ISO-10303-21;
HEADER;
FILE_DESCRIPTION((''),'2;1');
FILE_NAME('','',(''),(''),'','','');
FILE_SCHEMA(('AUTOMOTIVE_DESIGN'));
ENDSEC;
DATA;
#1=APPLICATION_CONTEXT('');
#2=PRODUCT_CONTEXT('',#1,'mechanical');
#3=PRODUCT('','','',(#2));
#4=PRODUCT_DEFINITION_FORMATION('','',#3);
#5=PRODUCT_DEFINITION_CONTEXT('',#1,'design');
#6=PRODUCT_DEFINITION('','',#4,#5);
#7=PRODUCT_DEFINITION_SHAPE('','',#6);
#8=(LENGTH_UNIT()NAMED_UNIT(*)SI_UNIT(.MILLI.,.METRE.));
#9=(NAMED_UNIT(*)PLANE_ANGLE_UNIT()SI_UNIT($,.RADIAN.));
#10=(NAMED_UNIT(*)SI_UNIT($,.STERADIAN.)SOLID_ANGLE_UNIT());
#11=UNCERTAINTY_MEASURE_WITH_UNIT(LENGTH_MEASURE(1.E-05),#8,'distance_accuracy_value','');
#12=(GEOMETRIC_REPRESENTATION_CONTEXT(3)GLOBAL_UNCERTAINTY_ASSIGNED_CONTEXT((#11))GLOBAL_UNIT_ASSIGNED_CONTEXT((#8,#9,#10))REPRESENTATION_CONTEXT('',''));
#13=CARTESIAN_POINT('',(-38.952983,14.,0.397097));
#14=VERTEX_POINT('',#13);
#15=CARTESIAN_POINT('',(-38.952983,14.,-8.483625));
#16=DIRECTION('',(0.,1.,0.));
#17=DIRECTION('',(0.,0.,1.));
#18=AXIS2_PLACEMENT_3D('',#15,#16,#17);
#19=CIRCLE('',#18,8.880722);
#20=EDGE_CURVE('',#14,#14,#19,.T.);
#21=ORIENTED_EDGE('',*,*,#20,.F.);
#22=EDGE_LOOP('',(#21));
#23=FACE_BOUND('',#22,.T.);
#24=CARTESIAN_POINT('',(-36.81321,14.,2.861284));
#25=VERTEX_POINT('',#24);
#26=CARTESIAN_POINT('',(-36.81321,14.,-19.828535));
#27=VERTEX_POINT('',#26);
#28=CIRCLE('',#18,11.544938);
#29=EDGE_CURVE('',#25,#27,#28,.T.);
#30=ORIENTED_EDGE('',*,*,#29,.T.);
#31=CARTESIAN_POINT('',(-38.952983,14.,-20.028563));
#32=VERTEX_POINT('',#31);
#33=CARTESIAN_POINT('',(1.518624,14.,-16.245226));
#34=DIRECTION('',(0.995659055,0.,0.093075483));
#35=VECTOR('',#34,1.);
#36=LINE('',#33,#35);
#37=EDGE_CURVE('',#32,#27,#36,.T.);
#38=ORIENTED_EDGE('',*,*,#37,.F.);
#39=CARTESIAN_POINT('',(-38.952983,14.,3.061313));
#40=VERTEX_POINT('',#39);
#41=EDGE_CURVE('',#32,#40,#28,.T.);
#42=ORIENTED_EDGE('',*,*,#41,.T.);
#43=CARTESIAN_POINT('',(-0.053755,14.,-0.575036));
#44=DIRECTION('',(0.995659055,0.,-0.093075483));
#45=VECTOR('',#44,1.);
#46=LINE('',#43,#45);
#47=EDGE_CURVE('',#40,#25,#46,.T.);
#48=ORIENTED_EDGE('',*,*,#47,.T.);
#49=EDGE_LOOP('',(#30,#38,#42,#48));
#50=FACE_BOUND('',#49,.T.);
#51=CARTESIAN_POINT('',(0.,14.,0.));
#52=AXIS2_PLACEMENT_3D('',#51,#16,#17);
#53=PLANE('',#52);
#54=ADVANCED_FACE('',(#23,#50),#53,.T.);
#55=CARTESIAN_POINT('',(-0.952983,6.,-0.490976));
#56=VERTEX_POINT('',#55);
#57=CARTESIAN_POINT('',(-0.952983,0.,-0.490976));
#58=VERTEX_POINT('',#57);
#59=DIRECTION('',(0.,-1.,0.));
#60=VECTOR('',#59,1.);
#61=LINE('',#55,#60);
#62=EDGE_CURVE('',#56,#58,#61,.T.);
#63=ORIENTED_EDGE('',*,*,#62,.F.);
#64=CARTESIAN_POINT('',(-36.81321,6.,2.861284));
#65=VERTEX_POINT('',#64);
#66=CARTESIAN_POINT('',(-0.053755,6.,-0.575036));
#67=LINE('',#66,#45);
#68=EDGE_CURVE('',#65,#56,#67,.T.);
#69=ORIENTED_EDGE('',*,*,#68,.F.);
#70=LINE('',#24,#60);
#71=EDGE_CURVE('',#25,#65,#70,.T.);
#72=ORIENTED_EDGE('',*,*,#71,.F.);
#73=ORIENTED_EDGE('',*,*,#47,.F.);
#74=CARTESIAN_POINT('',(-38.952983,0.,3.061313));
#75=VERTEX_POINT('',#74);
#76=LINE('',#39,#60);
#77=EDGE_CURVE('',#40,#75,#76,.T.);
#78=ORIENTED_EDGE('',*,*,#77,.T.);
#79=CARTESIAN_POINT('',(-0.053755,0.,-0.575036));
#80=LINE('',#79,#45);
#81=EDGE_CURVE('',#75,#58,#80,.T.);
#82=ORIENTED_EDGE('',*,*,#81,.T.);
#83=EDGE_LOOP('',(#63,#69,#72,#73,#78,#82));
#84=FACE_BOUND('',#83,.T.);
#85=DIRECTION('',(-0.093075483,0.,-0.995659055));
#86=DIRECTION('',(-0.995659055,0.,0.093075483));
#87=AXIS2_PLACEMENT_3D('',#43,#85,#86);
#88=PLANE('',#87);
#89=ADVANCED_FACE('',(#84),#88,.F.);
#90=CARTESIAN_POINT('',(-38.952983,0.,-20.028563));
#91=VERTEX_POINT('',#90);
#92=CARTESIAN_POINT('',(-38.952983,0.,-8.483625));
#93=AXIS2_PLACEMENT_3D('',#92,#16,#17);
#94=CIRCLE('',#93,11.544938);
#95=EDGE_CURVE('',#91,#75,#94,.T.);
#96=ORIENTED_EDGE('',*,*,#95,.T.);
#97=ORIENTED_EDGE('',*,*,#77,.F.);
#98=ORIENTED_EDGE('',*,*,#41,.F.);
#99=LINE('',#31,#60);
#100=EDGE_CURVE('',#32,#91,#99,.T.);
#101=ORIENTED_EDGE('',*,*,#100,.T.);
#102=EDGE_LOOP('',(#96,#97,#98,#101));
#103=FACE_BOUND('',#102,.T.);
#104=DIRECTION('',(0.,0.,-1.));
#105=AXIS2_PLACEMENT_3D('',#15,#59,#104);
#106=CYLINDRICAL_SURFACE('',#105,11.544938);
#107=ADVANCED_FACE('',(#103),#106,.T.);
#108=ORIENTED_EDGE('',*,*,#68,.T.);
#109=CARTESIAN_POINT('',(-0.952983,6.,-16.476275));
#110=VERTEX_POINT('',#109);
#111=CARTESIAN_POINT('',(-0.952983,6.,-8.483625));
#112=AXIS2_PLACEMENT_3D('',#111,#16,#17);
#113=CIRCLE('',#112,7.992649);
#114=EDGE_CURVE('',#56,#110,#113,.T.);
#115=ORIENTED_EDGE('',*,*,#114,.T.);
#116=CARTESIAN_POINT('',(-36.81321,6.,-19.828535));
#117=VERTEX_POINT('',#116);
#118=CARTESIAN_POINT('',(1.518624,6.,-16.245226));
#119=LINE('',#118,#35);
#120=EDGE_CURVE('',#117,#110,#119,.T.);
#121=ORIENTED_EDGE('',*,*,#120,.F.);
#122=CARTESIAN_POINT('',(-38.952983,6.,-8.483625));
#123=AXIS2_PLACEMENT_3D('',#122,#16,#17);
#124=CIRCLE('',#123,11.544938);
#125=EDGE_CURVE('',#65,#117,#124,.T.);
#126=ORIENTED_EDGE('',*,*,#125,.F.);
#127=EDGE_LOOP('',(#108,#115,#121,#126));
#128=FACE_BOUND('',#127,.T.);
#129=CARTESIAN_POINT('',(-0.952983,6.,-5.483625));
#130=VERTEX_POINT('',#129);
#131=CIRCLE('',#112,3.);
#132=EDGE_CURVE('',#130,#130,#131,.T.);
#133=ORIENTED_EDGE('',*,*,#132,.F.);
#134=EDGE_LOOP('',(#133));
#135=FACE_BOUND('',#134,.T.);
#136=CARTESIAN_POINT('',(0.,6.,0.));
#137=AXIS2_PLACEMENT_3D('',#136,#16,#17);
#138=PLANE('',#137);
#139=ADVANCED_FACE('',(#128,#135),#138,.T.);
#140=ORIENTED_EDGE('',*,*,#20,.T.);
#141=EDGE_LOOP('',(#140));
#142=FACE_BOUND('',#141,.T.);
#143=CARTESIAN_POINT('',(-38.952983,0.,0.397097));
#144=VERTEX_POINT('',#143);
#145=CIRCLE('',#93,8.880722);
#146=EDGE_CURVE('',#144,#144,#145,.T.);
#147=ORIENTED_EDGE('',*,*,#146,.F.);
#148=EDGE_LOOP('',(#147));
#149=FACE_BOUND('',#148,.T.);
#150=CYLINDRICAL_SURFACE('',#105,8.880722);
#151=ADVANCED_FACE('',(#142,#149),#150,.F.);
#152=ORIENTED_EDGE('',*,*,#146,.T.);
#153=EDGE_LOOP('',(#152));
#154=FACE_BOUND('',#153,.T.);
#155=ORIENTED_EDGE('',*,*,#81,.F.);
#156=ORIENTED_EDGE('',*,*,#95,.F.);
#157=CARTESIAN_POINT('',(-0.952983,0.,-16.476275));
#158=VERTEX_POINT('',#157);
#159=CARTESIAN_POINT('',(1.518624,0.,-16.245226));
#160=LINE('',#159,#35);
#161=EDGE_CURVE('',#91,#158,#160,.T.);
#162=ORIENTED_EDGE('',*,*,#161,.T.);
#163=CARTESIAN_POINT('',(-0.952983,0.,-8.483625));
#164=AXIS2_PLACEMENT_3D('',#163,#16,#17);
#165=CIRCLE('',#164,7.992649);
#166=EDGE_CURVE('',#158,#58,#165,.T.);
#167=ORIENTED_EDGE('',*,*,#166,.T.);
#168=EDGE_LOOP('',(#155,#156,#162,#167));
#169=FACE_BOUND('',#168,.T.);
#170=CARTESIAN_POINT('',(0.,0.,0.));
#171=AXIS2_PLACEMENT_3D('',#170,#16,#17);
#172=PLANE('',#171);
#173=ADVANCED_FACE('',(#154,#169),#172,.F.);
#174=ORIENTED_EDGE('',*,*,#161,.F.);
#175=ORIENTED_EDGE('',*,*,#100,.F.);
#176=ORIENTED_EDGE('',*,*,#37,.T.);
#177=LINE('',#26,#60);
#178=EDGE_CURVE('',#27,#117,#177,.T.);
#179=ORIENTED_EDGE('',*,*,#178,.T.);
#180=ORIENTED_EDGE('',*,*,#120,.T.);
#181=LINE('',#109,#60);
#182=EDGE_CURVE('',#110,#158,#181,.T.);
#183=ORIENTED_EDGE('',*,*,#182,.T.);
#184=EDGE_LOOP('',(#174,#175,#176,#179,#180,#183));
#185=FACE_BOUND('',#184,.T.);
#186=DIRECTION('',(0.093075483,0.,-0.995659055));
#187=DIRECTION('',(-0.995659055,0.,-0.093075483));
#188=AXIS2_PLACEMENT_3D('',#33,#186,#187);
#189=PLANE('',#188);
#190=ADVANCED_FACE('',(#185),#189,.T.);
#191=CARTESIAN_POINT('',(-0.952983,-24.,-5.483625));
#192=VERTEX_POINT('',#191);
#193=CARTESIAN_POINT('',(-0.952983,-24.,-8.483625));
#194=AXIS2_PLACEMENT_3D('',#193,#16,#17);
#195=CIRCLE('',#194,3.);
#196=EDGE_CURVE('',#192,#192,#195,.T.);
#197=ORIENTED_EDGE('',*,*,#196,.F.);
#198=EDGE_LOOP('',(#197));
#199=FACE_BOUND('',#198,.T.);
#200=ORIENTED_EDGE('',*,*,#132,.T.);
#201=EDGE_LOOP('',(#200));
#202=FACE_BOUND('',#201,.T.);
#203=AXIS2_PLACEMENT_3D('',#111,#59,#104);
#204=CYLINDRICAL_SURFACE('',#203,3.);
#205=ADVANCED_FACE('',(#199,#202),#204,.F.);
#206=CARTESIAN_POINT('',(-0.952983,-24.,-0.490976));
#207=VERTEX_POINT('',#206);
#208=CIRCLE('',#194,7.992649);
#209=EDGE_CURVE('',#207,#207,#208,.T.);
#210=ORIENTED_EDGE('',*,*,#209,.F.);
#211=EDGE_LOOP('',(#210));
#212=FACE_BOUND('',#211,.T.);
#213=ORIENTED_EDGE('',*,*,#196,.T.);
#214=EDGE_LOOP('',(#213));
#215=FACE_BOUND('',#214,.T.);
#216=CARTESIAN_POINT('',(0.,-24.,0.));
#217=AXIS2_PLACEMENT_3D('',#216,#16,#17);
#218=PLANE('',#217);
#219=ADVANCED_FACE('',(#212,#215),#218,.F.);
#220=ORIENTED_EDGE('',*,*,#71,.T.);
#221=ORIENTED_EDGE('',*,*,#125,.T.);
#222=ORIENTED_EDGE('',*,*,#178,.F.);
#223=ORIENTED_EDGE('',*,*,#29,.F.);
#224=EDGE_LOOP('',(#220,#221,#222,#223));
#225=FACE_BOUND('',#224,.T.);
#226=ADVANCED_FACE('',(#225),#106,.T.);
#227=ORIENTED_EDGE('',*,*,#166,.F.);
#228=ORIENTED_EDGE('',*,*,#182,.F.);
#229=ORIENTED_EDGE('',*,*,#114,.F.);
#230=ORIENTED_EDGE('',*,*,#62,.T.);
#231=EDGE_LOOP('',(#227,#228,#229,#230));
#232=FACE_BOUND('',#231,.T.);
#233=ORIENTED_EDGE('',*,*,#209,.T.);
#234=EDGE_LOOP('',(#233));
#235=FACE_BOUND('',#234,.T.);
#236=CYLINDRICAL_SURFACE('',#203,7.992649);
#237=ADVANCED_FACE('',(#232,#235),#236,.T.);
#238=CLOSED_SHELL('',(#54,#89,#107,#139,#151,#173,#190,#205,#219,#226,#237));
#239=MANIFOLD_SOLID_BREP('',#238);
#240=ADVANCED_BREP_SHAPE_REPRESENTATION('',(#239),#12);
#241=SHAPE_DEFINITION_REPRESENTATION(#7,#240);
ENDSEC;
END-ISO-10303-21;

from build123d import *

# Parameters (mm, degrees)
SKETCH2_R           = 8.88072163
BOSS_EXTRUDE3_DEPTH = 14
SKETCH2_4_R         = 3
BOSS_EXTRUDE4_DEPTH = 24
SKETCH2_5_R         = 3
BOSS_EXTRUDE5_DEPTH = 6


with BuildPart() as part:
    # Sketch2 → Boss-Extrude3 (new body)
    with BuildSketch(Plane(origin=(0, 0, 0), x_dir=(1, 0, 0), z_dir=(0, 1, 0))):
        with BuildLine():
            Line((-36.813210299, 19.828534504), (-38.952982558, 20.028563155))
            ThreePointArc((-38.952982558, 20.028563155), (-50.497920677, 8.483625036), (-38.952982558, -3.061313083))
            Line((-38.952982558, -3.061313083), (-36.813210299, -2.861284433))
            ThreePointArc((-36.813210299, -2.861284433), (-30.065093762, 1.115380406), (-27.408044439, 8.483625036))
            ThreePointArc((-27.408044439, 8.483625036), (-30.065093762, 15.851869666), (-36.813210299, 19.828534504))
        make_face()
        with Locations((-38.952982558, 8.483625036)):
            Circle(SKETCH2_R, mode=Mode.SUBTRACT)
    extrude(amount=BOSS_EXTRUDE3_DEPTH)



with BuildPart() as body_2:
    # Sketch2<4> → Boss-Extrude4 (new body)
    with BuildSketch(Plane(origin=(0, 0, 0), x_dir=(1, 0, 0), z_dir=(0, 1, 0))):
        with BuildLine():
            ThreePointArc((7.039666909, 8.483625036), (4.69867408, 14.135281673), (-0.952982558, 16.476274503))
            ThreePointArc((-0.952982558, 16.476274503), (-8.945632025, 8.483625036), (-0.952982558, 0.490975569))
            ThreePointArc((-0.952982558, 0.490975569), (4.69867408, 2.831968398), (7.039666909, 8.483625036))
        make_face()
        with Locations((-0.952982558, 8.483625036)):
            Circle(SKETCH2_4_R, mode=Mode.SUBTRACT)
    extrude(amount=-BOSS_EXTRUDE4_DEPTH)


with BuildPart() as part_1:
    add(part.part)

    add(body_2.part)  # Boss-Extrude5 merges body 2
    # Sketch2<5> → Boss-Extrude5 (add)
    with BuildSketch(Plane(origin=(0, 0, 0), x_dir=(1, 0, 0), z_dir=(0, 1, 0))):
        with BuildLine():
            Line((-0.952982558, 16.476274503), (-36.813210299, 19.828534504))
            ThreePointArc((-36.813210299, 19.828534504), (-27.408044439, 8.483625036), (-36.813210299, -2.861284433))
            Line((-36.813210299, -2.861284433), (-0.952982558, 0.490975569))
            ThreePointArc((-0.952982558, 0.490975569), (7.039666909, 8.483625036), (-0.952982558, 16.476274503))
        make_face()
        with Locations((-0.952982558, 8.483625036)):
            Circle(SKETCH2_5_R, mode=Mode.SUBTRACT)
    extrude(amount=BOSS_EXTRUDE5_DEPTH)


solid = part_1.part
